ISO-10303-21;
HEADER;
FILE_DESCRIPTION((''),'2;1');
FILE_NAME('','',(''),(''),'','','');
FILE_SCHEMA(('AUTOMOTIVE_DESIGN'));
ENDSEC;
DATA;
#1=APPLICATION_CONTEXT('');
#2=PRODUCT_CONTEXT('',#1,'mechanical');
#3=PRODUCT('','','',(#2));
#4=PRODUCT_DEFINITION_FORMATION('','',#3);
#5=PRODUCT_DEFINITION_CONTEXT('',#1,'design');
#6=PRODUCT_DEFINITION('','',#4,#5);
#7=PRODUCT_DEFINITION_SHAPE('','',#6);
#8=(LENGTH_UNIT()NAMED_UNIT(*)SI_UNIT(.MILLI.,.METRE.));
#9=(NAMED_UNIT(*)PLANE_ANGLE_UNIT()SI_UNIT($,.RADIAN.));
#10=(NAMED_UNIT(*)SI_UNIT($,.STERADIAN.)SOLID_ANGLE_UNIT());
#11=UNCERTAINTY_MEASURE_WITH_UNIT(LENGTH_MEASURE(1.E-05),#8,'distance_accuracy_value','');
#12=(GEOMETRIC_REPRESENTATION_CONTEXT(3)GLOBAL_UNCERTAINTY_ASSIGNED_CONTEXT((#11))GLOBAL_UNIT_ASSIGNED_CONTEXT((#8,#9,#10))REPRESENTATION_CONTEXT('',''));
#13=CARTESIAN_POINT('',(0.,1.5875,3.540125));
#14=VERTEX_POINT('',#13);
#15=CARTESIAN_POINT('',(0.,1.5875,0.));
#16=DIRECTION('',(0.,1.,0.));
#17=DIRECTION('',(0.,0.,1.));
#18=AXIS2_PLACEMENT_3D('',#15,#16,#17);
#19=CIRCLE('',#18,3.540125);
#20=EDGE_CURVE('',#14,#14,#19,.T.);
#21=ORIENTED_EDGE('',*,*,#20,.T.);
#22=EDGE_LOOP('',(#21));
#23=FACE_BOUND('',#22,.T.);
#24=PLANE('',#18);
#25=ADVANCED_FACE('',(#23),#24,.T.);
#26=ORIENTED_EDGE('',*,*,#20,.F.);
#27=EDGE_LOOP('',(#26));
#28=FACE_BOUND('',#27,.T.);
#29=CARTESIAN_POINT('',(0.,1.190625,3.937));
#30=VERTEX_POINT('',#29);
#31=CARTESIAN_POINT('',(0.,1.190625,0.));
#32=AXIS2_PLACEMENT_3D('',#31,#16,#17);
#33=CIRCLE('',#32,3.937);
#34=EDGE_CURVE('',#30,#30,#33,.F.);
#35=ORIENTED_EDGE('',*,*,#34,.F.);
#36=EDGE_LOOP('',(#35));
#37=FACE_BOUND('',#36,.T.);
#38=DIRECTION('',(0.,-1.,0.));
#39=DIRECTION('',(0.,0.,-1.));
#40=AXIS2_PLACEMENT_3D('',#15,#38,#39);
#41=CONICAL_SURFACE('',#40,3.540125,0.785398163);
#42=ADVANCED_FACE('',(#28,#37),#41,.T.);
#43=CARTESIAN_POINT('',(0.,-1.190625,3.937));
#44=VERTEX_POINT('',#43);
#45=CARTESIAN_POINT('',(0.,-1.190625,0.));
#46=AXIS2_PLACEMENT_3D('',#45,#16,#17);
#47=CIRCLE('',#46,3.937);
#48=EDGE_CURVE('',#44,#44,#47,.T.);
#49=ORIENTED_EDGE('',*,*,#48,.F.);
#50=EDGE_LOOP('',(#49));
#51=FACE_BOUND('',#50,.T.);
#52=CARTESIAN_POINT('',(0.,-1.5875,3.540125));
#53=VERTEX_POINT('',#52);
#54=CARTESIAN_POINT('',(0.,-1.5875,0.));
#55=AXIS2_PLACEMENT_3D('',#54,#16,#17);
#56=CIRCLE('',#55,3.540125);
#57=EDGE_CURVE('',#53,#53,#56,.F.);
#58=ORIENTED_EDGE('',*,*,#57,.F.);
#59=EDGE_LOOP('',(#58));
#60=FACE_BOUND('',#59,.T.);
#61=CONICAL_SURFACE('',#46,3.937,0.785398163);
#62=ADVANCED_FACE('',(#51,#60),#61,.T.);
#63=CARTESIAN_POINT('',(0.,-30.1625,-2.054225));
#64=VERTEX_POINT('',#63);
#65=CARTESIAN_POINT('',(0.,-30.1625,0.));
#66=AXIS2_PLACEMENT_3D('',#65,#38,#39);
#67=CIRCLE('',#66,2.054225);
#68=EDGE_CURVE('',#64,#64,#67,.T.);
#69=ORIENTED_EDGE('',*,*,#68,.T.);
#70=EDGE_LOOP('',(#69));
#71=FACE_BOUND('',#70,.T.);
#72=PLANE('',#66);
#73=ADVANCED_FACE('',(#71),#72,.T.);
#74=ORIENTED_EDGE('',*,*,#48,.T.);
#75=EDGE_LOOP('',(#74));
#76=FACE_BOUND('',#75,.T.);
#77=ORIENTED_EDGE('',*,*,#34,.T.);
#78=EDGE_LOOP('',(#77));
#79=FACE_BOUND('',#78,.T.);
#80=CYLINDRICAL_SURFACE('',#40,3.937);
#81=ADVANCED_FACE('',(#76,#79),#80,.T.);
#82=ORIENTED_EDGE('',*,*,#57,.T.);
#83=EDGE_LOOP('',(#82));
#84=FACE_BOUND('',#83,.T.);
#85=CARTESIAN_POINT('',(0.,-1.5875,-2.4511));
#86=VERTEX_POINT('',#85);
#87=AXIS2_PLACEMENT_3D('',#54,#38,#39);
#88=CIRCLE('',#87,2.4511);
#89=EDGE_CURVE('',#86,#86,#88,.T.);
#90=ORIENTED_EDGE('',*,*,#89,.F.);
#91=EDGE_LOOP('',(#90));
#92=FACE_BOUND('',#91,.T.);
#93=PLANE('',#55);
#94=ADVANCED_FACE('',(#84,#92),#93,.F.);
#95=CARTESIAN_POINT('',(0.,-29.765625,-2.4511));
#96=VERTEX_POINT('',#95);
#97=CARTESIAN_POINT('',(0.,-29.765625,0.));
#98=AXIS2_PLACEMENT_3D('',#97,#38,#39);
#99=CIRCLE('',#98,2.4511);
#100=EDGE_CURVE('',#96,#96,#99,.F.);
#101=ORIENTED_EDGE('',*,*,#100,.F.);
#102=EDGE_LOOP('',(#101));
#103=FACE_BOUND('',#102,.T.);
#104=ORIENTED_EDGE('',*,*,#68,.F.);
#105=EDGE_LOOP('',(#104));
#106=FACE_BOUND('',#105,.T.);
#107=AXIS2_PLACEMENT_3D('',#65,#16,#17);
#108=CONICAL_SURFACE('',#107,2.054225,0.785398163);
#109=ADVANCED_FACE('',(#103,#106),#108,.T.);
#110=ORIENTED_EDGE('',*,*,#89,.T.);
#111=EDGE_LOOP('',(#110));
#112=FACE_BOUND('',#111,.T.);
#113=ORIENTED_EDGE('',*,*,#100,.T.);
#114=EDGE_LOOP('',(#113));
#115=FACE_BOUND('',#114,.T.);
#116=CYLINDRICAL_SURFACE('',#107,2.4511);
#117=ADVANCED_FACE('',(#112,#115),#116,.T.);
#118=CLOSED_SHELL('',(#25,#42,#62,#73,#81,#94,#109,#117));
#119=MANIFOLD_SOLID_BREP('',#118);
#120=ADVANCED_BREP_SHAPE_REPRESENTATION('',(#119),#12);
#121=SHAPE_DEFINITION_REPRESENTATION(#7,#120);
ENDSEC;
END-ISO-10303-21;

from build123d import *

# Parameters (mm, degrees)
SKETCH1_R           = 3.937
BOSS_EXTRUDE1_DEPTH = 1.5875
SKETCH2_R           = 2.4511
BOSS_EXTRUDE2_DEPTH = 28.575
CHAMFER1_SIZE       = 0.396875


with BuildPart() as part:
    # Sketch1 → Boss-Extrude1 (new, symmetric)
    with BuildSketch(Plane(origin=(0, 0, 0), x_dir=(1, 0, 0), z_dir=(0, 1, 0))):
        with Locations(Location((0, 0, 0), (0, 0, 270))):
            Circle(SKETCH1_R)
    extrude(amount=BOSS_EXTRUDE1_DEPTH, both=True)

    # Sketch2 → Boss-Extrude2 (add)
    with BuildSketch(Plane.XZ.offset(1.5875)):
        with Locations(Location((0, 0, 0), (0, 0, 270))):
            Circle(SKETCH2_R)
    extrude(amount=BOSS_EXTRUDE2_DEPTH)

    # Chamfer1
    chamfer1_edges = [part.edges().sort_by_distance(p)[0] for p in [
        (0, -1.5875, -3.937),
        (0, 1.5875, -3.937),
        (0, -30.1625, 2.4511),
    ]]
    chamfer(chamfer1_edges, length=CHAMFER1_SIZE)


solid = part.part
